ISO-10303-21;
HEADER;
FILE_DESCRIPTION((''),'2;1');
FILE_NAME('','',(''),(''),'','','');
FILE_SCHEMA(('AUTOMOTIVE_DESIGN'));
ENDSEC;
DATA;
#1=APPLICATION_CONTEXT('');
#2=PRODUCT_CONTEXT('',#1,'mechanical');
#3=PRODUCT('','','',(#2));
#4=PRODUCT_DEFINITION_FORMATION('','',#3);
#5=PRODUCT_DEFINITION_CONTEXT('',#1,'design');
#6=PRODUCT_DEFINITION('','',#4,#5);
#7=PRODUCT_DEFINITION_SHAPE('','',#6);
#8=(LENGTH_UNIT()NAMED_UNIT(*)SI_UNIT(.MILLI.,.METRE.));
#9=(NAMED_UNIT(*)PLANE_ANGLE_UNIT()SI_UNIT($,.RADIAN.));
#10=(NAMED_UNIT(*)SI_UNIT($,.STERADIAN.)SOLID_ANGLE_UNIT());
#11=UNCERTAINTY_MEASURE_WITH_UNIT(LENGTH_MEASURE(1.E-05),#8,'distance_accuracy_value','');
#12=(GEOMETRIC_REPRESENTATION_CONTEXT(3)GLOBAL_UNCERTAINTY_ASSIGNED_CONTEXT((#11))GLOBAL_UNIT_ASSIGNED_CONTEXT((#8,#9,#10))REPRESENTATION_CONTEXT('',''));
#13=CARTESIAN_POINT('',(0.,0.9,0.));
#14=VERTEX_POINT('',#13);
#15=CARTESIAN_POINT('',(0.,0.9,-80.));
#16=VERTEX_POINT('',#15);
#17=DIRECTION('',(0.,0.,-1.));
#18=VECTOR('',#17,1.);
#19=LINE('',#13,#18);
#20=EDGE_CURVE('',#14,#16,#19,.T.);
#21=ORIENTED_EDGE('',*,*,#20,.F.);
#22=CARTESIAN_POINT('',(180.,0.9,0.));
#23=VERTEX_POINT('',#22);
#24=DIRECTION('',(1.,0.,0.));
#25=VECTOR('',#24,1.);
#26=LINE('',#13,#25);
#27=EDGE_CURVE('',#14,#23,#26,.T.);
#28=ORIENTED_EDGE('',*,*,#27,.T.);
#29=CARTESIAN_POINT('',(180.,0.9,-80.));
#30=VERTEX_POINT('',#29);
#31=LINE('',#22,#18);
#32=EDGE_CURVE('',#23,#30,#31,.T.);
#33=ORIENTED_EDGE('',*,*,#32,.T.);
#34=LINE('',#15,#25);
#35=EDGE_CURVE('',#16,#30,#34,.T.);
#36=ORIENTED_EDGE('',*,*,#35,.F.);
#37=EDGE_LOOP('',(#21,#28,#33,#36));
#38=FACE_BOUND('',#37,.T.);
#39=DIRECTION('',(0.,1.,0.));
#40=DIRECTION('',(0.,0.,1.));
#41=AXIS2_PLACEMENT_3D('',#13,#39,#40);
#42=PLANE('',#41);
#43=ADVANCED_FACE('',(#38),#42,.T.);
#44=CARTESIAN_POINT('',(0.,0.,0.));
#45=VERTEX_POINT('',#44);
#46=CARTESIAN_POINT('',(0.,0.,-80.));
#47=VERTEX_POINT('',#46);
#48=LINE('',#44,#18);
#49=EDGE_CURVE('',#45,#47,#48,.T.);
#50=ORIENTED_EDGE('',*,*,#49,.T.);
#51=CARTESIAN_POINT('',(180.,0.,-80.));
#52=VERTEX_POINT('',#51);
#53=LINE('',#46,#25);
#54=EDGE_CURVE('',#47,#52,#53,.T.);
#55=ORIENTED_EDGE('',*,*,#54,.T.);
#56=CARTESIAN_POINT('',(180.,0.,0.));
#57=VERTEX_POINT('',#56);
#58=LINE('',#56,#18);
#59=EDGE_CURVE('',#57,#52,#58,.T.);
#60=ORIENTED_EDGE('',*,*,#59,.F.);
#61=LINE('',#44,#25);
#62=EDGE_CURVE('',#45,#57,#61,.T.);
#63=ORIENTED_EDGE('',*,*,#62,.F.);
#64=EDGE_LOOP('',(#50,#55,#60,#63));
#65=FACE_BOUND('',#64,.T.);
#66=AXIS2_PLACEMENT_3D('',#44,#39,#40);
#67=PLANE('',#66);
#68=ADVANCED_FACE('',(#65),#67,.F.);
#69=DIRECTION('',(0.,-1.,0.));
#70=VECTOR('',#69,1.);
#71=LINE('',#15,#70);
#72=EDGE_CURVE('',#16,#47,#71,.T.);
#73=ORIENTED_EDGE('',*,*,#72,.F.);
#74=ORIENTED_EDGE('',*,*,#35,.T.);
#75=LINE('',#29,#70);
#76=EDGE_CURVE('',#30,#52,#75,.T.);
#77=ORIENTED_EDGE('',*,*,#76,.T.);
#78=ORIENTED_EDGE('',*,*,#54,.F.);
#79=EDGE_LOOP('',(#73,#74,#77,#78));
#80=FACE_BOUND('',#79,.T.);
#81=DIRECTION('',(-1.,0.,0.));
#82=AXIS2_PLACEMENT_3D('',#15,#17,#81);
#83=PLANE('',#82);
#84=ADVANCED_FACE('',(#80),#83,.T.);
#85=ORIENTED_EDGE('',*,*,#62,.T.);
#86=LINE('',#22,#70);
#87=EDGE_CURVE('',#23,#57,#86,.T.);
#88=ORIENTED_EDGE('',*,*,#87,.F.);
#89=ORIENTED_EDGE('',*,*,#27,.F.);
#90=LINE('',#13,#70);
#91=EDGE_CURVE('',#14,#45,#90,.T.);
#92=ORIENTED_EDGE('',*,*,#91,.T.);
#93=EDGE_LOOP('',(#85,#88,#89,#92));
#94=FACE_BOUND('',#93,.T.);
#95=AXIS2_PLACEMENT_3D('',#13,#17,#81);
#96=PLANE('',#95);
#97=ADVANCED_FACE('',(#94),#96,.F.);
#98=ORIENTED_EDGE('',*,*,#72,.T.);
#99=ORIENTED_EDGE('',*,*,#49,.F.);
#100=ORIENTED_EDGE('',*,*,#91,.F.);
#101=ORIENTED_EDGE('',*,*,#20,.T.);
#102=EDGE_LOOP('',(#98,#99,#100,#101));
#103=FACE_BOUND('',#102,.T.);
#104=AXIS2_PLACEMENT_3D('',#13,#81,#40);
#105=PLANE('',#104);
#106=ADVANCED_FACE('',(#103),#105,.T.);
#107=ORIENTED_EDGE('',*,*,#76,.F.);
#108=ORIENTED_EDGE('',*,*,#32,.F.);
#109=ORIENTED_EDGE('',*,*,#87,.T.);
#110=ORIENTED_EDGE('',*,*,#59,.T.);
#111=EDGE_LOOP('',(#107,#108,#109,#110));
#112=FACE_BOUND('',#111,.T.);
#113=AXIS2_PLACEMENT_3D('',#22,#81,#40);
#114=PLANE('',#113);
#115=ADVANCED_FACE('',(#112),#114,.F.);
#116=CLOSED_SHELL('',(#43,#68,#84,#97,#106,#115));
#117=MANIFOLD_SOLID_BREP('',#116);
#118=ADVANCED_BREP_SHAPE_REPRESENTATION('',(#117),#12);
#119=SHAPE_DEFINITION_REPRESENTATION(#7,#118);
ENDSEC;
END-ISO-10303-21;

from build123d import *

# Parameters (mm, degrees)
TEXT_BORDER_W = 180
TEXT_BORDER_H = 80
BODY_DEPTH    = 0.9


with BuildPart() as part:
    # Text / Border → Body (new body)
    with BuildSketch(Plane(origin=(0, 0, 0), x_dir=(1, 0, 0), z_dir=(0, 1, 0))):
        with Locations((90, 40)):
            Rectangle(TEXT_BORDER_W, TEXT_BORDER_H)
    extrude(amount=BODY_DEPTH)


solid = part.part
